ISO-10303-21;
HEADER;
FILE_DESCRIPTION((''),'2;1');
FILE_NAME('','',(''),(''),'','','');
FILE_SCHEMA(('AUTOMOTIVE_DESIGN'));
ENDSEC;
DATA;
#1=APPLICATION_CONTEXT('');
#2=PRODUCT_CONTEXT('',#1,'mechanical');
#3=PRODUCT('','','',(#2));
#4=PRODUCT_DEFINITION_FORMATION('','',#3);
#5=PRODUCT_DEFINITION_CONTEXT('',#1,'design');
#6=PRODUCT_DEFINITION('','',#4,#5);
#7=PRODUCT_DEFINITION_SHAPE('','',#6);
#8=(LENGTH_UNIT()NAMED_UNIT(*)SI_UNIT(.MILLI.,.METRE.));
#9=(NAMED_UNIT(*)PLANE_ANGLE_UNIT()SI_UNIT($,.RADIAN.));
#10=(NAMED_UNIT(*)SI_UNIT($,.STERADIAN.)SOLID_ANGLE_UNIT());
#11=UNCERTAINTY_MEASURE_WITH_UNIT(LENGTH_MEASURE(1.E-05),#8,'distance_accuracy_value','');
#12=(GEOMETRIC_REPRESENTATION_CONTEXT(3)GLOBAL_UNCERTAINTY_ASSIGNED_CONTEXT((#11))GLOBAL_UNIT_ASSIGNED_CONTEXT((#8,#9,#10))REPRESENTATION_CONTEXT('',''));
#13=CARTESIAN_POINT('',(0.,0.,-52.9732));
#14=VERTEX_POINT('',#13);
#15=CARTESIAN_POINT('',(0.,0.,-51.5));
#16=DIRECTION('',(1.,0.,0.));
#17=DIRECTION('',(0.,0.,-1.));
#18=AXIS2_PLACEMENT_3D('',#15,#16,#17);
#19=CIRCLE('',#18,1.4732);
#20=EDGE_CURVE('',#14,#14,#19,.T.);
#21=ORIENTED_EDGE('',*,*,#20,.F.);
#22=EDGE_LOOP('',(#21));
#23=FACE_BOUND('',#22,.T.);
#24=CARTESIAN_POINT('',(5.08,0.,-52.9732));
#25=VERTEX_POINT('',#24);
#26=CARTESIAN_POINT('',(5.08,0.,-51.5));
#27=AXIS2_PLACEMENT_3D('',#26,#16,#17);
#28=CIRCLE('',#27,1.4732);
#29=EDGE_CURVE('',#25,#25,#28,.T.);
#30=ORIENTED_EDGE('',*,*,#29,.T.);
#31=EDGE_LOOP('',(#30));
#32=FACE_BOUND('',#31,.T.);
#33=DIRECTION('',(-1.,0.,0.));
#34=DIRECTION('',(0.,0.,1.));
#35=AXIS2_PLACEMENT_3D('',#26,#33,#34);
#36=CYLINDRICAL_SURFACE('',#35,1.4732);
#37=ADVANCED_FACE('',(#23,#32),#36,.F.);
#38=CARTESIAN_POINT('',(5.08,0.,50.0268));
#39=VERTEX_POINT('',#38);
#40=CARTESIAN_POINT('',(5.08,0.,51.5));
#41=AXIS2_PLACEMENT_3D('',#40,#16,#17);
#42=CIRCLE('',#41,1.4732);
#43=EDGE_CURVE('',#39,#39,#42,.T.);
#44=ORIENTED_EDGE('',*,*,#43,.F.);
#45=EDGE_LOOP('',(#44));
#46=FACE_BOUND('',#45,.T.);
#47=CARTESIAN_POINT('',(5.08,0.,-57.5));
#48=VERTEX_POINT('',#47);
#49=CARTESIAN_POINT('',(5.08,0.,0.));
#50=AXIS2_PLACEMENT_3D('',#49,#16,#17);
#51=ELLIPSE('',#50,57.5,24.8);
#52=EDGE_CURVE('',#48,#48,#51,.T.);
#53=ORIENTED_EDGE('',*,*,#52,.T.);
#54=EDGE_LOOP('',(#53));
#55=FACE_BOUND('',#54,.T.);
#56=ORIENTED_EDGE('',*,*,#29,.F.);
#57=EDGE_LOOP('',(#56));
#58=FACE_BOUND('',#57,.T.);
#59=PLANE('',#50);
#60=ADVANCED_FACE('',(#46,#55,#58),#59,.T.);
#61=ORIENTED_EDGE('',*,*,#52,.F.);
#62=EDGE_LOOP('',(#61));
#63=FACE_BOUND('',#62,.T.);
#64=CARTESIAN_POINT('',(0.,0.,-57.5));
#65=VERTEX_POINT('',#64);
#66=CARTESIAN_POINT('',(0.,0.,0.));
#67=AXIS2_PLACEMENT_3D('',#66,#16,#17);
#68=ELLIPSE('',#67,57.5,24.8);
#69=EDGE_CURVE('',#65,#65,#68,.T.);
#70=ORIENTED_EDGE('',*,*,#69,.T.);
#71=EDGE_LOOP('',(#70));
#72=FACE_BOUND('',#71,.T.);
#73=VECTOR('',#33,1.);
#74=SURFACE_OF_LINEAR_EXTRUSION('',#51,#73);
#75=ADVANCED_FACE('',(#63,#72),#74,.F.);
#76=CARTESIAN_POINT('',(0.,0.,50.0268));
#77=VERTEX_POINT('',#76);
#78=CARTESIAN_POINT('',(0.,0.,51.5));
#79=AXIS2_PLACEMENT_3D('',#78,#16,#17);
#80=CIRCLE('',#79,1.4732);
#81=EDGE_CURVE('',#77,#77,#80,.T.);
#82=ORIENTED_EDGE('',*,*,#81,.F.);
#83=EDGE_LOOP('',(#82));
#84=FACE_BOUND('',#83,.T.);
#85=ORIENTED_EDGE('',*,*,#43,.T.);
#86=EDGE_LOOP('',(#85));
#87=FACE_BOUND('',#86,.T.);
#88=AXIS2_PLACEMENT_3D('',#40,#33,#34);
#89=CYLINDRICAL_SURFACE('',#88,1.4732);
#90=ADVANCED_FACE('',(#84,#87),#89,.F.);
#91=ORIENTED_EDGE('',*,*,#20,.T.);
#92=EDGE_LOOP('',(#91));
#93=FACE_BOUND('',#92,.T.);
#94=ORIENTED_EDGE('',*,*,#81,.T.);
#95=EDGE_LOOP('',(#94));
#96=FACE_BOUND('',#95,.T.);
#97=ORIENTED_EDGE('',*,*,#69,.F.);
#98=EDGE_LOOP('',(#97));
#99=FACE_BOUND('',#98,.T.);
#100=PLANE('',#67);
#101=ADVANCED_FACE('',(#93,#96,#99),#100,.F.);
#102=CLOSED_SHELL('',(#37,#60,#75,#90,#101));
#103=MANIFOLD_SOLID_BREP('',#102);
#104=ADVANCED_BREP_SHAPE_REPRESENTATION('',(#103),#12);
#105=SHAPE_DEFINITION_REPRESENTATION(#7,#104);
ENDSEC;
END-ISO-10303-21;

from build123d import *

# Parameters (mm, degrees)
SKETCH1_RX          = 57.5
SKETCH1_RY          = 24.8
SKETCH1_R           = 1.4732
BOSS_EXTRUDE1_DEPTH = 5.08


with BuildPart() as part:
    # Sketch1 → Boss-Extrude1 (new body)
    with BuildSketch(Plane(origin=(0, 0, 0), x_dir=(0, 0, -1), z_dir=(1, 0, 0))):
        with Locations((0, 0)):
            Ellipse(SKETCH1_RX, SKETCH1_RY)
        with Locations((-51.5, 0)):
            Circle(SKETCH1_R, mode=Mode.SUBTRACT)
        with Locations((51.5, 0)):
            Circle(SKETCH1_R, mode=Mode.SUBTRACT)
    extrude(amount=BOSS_EXTRUDE1_DEPTH)


solid = part.part
